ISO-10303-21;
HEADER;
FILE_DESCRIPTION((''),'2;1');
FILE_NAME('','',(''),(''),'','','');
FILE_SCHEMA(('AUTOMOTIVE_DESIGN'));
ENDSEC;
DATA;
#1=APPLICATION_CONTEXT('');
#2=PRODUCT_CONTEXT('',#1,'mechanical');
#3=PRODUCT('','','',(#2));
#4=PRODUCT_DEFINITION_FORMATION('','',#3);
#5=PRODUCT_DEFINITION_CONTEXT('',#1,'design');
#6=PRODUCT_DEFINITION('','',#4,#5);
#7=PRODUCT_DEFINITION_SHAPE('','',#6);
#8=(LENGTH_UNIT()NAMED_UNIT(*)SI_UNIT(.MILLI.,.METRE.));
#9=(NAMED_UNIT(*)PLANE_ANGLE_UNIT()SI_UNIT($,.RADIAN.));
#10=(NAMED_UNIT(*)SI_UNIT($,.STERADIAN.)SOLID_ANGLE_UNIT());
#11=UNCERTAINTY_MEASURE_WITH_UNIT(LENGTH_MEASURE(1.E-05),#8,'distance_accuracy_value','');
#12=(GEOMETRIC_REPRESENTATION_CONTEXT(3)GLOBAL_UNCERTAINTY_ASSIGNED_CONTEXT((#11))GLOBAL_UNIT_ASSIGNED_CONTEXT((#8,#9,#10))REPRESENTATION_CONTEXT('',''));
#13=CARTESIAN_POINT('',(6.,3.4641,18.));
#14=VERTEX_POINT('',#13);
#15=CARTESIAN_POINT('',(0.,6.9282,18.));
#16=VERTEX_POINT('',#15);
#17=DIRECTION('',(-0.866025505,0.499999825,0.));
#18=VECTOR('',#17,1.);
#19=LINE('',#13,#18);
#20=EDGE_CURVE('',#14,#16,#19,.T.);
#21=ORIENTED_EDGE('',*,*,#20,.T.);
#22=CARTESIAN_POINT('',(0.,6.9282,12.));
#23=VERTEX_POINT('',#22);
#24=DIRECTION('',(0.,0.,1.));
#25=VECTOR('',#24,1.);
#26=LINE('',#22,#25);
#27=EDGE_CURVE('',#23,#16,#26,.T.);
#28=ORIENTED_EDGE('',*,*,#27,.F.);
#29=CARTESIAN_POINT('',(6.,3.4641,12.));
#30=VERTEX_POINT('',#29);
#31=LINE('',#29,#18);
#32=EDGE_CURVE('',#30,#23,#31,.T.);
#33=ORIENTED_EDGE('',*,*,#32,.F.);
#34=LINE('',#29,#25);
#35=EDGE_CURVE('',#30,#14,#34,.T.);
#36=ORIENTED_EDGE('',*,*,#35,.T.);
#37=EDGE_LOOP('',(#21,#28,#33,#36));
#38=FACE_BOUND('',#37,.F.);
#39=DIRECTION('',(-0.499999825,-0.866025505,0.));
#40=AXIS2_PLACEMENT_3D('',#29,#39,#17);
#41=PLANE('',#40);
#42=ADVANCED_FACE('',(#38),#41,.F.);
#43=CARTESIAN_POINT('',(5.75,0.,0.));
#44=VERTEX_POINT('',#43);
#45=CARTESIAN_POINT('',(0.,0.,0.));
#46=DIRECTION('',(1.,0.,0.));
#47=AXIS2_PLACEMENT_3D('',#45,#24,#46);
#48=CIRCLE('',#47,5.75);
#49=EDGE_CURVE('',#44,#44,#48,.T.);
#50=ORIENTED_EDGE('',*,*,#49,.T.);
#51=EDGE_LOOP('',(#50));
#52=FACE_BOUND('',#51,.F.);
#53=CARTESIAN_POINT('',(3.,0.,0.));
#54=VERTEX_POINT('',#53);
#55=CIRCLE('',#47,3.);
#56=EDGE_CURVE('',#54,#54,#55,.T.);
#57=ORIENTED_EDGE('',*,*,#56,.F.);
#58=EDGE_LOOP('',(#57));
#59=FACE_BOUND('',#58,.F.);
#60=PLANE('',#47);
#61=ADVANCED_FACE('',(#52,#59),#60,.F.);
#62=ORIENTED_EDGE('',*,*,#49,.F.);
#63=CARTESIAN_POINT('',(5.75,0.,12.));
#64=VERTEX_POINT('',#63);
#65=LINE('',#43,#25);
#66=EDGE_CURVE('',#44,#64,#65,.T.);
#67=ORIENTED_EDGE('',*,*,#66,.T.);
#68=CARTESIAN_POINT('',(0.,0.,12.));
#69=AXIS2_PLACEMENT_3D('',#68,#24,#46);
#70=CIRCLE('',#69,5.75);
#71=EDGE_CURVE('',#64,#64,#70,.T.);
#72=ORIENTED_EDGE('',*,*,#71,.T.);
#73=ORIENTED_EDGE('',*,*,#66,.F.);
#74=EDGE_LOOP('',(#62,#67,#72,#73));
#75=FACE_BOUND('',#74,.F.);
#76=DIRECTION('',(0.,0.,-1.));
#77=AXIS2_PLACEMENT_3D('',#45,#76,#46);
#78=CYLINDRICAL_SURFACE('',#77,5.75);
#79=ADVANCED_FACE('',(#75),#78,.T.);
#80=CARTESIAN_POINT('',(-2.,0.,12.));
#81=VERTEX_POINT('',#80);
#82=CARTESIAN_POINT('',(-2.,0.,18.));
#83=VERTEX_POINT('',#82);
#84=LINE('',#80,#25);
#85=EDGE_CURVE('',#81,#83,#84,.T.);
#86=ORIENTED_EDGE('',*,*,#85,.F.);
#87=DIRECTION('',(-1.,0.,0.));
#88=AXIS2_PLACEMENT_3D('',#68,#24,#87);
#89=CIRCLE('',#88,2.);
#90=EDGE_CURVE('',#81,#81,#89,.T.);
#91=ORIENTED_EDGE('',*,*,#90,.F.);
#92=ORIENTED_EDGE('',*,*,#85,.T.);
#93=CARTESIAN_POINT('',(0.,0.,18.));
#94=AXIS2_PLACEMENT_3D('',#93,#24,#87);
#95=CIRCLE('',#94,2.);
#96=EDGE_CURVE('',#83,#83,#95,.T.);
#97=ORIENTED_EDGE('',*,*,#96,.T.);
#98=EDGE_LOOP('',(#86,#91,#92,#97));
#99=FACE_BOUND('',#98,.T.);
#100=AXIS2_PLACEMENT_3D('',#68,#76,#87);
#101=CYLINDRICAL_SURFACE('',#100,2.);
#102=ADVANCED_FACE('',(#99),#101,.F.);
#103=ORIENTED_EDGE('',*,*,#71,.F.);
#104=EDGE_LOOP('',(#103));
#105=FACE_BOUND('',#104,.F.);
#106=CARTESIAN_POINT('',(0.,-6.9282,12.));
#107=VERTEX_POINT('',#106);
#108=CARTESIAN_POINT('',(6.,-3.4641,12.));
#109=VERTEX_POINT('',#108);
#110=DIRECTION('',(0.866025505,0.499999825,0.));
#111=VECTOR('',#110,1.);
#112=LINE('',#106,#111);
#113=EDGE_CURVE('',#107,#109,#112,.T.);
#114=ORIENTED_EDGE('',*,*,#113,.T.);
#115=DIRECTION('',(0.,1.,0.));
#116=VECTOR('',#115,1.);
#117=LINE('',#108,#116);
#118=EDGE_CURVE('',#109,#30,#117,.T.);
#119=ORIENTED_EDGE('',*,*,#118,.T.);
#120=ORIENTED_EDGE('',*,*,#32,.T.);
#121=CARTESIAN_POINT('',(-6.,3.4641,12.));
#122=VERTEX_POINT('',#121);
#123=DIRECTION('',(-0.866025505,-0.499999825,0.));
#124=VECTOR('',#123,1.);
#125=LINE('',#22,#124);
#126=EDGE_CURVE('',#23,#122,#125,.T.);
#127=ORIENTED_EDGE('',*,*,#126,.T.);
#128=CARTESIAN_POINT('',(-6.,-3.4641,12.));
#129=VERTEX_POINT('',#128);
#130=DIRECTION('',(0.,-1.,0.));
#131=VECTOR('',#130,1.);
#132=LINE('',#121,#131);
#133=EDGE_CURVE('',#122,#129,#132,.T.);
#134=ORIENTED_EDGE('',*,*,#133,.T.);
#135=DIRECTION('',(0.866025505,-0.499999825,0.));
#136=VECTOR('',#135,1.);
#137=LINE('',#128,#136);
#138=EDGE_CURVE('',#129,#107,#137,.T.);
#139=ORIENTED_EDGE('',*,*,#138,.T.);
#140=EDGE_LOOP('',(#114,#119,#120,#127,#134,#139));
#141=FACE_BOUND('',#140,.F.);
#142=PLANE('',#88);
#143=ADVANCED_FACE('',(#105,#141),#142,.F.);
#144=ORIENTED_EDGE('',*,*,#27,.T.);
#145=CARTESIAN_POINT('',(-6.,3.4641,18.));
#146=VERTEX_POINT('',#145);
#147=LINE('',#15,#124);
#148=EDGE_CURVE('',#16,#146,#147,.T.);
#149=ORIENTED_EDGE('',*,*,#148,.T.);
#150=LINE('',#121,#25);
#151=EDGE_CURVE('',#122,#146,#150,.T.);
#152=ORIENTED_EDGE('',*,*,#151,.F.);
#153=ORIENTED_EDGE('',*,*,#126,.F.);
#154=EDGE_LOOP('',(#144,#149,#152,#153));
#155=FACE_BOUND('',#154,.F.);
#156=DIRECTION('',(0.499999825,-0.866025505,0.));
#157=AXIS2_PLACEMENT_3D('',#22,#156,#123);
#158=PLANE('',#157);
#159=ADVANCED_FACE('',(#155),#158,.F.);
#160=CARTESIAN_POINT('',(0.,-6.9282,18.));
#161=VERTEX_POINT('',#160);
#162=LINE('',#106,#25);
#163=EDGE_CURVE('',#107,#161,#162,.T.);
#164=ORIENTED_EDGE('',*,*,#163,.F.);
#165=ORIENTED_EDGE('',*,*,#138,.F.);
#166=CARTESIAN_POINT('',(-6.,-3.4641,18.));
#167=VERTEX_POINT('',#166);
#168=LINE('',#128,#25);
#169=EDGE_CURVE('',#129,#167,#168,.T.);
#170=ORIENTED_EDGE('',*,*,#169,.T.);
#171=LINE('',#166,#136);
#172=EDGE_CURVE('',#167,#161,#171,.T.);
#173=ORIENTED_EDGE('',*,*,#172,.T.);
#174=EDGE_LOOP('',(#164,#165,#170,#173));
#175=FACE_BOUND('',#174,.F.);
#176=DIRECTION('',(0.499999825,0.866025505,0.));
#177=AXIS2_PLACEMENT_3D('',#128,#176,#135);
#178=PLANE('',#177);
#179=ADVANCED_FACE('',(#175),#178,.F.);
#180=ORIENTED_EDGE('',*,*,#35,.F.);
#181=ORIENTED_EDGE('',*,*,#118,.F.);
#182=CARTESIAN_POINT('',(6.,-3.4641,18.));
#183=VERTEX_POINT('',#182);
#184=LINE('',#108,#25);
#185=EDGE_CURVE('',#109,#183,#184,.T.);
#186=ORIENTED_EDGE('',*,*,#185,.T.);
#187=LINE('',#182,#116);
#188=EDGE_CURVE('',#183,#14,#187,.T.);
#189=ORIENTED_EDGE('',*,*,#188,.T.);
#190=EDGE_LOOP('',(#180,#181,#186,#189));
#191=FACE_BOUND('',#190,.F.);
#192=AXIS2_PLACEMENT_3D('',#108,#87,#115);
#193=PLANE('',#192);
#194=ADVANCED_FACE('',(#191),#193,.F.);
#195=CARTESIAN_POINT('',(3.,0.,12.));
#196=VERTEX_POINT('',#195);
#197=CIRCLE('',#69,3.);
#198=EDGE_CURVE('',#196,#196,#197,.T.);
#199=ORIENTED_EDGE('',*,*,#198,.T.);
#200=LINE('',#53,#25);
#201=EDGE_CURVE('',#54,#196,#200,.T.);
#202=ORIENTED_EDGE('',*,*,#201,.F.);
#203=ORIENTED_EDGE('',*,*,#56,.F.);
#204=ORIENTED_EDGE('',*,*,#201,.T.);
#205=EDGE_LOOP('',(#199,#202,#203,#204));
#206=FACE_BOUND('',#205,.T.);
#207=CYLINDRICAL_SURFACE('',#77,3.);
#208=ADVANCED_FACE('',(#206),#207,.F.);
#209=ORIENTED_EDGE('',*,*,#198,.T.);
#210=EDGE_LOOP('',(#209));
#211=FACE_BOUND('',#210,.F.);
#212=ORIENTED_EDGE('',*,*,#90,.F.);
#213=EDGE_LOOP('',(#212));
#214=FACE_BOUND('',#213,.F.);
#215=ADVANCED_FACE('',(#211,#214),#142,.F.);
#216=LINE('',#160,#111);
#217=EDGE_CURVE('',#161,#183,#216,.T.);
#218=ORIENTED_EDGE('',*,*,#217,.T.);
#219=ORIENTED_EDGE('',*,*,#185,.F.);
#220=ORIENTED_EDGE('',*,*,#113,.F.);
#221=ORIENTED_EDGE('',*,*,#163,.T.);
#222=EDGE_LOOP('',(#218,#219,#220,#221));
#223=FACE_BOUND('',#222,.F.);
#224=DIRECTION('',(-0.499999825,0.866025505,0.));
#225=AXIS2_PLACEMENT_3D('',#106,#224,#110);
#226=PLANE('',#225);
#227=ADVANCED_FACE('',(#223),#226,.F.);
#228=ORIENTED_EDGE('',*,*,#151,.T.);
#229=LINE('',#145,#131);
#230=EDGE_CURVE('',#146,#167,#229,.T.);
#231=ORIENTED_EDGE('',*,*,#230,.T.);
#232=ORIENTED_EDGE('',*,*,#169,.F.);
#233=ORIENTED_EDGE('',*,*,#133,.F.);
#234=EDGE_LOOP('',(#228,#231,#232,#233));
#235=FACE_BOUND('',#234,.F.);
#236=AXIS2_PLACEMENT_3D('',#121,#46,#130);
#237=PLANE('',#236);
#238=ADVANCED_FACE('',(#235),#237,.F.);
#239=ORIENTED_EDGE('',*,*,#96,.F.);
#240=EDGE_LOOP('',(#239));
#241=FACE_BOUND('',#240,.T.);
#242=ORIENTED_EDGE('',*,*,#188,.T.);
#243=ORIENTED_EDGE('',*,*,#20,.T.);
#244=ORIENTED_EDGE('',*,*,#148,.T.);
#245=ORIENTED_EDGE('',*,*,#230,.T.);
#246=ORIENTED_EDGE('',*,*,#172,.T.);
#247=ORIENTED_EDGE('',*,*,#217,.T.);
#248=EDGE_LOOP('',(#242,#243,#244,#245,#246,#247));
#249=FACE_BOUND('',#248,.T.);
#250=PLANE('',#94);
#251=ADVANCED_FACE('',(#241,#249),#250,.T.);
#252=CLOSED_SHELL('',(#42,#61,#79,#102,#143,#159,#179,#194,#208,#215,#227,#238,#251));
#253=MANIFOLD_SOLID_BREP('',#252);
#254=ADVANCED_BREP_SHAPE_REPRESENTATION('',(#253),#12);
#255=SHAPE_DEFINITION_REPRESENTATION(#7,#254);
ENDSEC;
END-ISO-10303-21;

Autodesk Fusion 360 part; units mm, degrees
sketch "Sketch1" plane through (0, 0, 0) normal (0, 0, 1) x (1, 0, 0) in component "Component"
  circle A0 centre (0, 0) radius 5.75
  circle A1 centre (0, 0) radius 3
  dimension "d1" = 11.5
  dimension "d2" = 6
extrude "Extrude1" add sketch "Sketch1" along normal blind 12 in component "Component"
sketch "Sketch2" plane through (0, 0, 12) normal (0, 0, 1) x (-1, 0, 0) in component "Component"
  circle A0 centre (0, 0) radius 3
  circle A1 centre (0, 0) radius 5.75
  circle A2 centre (0, 0) radius 2
  line L0 (-6, 3.4641) -> (-6, -3.4641)
  line L1 (-6, -3.4641) -> (0, -6.9282)
  line L2 (0, -6.9282) -> (6, -3.4641)
  line L3 (6, -3.4641) -> (6, 3.4641)
  line L4 (6, 3.4641) -> (0, 6.9282)
  line L5 (0, 6.9282) -> (-6, 3.4641)
  dimension "d5" = 4
  dimension "d6" = 6
extrude "Extrude2" add sketch "Sketch2" along normal blind 6 contours A0 | A1 | L0 L1 L2 L3 L4 L5 in component "Component"
component "Component" placed x (1, 0, 0) y (0, 1, 0) z (0, 0, 1) at (0, 0, 0)
